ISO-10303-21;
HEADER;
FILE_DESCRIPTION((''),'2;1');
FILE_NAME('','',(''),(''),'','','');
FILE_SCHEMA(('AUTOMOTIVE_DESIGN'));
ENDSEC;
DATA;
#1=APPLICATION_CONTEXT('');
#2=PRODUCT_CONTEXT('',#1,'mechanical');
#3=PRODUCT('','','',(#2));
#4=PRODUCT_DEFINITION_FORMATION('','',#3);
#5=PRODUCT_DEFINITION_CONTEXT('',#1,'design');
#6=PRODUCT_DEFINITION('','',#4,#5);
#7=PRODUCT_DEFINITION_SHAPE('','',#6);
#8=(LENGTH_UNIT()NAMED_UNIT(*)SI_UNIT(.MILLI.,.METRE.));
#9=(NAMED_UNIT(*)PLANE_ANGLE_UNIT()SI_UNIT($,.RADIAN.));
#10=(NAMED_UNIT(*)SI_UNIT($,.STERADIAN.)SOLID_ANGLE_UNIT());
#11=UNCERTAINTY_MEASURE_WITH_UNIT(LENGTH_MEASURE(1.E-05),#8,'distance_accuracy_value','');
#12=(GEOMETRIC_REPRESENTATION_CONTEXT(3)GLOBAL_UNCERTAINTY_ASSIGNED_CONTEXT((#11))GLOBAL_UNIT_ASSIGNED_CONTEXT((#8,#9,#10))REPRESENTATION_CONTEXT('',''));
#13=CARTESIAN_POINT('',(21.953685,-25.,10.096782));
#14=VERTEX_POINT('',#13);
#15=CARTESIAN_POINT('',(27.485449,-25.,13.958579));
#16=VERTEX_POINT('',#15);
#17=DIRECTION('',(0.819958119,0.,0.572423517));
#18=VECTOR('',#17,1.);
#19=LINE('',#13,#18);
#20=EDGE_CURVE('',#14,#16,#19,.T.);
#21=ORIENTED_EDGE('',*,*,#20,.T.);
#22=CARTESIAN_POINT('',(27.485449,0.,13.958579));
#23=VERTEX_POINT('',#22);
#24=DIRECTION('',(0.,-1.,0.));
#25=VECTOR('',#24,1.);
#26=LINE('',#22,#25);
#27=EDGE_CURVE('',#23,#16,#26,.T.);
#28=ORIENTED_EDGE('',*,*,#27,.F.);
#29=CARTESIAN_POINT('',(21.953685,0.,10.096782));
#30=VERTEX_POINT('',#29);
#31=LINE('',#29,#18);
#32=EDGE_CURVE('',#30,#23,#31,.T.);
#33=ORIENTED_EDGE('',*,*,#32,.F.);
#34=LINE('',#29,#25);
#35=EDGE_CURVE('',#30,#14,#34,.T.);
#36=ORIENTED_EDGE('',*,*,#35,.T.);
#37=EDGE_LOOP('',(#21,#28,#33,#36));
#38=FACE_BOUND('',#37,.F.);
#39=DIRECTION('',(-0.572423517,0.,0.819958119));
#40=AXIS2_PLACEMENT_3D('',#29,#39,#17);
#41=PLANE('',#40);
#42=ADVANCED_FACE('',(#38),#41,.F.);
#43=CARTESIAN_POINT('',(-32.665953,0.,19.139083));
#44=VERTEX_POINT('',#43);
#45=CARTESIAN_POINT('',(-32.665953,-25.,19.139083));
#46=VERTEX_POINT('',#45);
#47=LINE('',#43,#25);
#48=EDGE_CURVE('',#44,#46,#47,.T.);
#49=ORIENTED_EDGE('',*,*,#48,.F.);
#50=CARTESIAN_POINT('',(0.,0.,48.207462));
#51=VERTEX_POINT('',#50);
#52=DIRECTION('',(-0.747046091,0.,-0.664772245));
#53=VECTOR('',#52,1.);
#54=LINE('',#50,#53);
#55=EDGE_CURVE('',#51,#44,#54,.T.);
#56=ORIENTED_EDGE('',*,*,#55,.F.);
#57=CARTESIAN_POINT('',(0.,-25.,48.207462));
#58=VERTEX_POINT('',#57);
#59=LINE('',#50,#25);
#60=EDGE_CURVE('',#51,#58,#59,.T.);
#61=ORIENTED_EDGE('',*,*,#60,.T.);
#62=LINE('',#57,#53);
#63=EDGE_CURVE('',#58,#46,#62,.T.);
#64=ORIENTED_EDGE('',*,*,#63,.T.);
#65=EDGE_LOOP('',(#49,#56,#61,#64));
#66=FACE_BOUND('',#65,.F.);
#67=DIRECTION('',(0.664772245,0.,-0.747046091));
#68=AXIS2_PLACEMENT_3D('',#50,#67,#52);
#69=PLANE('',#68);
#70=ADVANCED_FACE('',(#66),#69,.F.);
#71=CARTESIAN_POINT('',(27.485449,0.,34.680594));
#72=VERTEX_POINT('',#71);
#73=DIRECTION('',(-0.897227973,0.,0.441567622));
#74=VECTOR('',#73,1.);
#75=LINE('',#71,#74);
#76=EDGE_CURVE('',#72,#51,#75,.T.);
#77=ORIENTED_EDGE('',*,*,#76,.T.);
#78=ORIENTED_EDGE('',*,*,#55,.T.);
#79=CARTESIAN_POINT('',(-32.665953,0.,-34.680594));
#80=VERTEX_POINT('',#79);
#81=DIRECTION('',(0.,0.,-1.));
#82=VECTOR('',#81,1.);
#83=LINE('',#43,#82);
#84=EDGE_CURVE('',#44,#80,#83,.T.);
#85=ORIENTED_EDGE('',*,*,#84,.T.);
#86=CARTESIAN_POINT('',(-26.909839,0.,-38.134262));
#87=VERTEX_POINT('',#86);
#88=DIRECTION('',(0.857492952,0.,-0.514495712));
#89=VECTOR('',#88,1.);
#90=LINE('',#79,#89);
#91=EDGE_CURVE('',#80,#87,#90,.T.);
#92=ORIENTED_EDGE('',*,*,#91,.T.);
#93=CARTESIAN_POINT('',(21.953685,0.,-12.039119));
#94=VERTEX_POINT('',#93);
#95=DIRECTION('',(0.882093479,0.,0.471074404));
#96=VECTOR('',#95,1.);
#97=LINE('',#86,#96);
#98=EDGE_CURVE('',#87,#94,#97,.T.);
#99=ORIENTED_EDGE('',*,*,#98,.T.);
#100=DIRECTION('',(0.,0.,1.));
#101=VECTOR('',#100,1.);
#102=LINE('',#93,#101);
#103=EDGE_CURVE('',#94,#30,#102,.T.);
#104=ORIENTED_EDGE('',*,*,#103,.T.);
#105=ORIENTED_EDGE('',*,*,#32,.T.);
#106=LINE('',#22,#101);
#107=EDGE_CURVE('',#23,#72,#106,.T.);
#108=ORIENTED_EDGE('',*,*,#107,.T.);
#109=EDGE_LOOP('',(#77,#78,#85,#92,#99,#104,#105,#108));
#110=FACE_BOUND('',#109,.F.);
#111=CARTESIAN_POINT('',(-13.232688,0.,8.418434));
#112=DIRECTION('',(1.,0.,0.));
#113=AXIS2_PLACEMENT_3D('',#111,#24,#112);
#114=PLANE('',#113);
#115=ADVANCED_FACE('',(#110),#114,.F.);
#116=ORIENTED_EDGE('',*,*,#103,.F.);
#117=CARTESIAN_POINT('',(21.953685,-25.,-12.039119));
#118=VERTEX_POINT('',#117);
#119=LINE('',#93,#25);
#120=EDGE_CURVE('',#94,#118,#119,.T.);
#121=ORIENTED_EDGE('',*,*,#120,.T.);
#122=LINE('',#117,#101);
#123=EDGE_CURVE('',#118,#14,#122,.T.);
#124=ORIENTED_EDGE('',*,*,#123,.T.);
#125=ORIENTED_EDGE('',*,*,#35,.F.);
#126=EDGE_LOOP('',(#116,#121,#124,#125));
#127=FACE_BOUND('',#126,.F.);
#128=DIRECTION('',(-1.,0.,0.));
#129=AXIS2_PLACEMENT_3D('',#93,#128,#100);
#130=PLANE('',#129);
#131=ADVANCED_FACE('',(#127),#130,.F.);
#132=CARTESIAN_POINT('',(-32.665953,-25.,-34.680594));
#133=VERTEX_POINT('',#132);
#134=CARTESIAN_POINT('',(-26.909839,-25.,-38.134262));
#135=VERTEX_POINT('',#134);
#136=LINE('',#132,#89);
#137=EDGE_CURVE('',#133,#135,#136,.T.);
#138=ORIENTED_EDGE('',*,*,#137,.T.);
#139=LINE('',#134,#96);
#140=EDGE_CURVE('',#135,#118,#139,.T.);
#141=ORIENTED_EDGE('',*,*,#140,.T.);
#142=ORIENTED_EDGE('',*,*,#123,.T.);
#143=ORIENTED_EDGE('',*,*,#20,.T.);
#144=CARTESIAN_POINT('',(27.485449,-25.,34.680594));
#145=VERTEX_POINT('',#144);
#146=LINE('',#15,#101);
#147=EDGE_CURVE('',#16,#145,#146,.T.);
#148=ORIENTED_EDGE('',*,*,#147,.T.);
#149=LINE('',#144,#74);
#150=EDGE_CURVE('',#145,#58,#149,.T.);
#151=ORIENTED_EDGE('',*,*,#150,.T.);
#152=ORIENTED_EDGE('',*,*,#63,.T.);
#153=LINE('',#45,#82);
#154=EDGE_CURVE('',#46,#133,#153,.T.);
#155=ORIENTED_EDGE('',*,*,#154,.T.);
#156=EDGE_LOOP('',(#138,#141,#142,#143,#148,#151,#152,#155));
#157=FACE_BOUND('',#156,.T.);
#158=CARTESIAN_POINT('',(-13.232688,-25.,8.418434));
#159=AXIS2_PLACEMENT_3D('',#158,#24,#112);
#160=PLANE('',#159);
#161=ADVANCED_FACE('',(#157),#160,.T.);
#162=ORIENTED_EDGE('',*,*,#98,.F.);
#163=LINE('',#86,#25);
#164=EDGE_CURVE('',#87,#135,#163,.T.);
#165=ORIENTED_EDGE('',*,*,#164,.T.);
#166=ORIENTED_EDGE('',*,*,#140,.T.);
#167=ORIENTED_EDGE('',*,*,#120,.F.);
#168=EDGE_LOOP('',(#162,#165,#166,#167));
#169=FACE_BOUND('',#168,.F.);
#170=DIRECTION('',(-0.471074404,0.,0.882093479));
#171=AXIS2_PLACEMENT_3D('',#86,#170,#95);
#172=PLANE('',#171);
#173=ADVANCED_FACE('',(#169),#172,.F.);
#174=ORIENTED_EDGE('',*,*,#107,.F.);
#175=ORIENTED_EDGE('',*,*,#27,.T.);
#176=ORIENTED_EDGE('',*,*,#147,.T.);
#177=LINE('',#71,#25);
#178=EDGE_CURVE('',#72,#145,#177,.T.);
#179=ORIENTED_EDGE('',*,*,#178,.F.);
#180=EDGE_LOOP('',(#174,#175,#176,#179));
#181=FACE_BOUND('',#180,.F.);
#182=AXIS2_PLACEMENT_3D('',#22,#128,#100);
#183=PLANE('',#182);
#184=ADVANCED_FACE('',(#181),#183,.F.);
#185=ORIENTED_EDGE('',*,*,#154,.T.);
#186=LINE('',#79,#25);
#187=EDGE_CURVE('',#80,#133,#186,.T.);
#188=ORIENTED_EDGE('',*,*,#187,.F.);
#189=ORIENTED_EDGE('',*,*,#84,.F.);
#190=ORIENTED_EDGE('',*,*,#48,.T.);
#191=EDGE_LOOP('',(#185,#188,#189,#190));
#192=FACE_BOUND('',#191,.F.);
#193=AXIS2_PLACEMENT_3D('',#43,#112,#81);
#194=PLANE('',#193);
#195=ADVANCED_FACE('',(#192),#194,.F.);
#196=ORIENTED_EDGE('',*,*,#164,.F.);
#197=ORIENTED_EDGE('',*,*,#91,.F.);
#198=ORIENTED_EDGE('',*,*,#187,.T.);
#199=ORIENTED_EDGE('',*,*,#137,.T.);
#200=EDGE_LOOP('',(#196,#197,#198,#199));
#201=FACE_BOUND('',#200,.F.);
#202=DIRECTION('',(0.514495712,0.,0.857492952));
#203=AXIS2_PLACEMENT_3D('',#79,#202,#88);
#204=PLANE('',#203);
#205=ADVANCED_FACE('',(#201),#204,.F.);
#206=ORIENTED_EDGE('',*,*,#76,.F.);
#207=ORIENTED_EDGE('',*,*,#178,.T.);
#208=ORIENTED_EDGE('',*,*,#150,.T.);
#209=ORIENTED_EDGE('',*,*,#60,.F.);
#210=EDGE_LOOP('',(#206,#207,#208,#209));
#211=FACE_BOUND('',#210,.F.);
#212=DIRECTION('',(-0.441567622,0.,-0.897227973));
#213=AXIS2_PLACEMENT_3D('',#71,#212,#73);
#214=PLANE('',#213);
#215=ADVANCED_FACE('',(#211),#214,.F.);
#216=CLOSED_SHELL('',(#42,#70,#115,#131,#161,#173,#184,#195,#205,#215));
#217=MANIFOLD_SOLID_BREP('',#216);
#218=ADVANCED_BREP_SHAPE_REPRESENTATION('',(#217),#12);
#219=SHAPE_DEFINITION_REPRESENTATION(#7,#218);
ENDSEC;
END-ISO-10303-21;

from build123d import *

# Parameters (mm, degrees)
F1_DEPTH = 25


with BuildPart() as f1:
    # F0 (on Front) → F1 (new body)
    with BuildSketch(Plane.XZ):
        Polygon((0, 48.207462), (-32.665953, 19.139083), (-32.665953, -34.680594), (-26.909839, -38.134262), (-26.909839, 10.217104), (-13.382967, 6.187824), (-13.382967, -7.339047), (-3.021961, -7.339047), (-3.021961, 10.217104), (27.485449, 34.680594), align=None)
        Polygon((-26.909839, 10.217104), (-26.909839, -38.134262), (21.953685, -12.039119), (21.953685, 10.096782), (-3.021961, -7.339047), (-13.382967, -7.339047), (-13.382967, 6.187824), align=None)
        Polygon((27.485449, 13.958579), (27.485449, 34.680594), (-3.021961, 10.217104), (-3.021961, -7.339047), (21.953685, 10.096782), align=None)
    extrude(amount=F1_DEPTH)


solid = f1.part
